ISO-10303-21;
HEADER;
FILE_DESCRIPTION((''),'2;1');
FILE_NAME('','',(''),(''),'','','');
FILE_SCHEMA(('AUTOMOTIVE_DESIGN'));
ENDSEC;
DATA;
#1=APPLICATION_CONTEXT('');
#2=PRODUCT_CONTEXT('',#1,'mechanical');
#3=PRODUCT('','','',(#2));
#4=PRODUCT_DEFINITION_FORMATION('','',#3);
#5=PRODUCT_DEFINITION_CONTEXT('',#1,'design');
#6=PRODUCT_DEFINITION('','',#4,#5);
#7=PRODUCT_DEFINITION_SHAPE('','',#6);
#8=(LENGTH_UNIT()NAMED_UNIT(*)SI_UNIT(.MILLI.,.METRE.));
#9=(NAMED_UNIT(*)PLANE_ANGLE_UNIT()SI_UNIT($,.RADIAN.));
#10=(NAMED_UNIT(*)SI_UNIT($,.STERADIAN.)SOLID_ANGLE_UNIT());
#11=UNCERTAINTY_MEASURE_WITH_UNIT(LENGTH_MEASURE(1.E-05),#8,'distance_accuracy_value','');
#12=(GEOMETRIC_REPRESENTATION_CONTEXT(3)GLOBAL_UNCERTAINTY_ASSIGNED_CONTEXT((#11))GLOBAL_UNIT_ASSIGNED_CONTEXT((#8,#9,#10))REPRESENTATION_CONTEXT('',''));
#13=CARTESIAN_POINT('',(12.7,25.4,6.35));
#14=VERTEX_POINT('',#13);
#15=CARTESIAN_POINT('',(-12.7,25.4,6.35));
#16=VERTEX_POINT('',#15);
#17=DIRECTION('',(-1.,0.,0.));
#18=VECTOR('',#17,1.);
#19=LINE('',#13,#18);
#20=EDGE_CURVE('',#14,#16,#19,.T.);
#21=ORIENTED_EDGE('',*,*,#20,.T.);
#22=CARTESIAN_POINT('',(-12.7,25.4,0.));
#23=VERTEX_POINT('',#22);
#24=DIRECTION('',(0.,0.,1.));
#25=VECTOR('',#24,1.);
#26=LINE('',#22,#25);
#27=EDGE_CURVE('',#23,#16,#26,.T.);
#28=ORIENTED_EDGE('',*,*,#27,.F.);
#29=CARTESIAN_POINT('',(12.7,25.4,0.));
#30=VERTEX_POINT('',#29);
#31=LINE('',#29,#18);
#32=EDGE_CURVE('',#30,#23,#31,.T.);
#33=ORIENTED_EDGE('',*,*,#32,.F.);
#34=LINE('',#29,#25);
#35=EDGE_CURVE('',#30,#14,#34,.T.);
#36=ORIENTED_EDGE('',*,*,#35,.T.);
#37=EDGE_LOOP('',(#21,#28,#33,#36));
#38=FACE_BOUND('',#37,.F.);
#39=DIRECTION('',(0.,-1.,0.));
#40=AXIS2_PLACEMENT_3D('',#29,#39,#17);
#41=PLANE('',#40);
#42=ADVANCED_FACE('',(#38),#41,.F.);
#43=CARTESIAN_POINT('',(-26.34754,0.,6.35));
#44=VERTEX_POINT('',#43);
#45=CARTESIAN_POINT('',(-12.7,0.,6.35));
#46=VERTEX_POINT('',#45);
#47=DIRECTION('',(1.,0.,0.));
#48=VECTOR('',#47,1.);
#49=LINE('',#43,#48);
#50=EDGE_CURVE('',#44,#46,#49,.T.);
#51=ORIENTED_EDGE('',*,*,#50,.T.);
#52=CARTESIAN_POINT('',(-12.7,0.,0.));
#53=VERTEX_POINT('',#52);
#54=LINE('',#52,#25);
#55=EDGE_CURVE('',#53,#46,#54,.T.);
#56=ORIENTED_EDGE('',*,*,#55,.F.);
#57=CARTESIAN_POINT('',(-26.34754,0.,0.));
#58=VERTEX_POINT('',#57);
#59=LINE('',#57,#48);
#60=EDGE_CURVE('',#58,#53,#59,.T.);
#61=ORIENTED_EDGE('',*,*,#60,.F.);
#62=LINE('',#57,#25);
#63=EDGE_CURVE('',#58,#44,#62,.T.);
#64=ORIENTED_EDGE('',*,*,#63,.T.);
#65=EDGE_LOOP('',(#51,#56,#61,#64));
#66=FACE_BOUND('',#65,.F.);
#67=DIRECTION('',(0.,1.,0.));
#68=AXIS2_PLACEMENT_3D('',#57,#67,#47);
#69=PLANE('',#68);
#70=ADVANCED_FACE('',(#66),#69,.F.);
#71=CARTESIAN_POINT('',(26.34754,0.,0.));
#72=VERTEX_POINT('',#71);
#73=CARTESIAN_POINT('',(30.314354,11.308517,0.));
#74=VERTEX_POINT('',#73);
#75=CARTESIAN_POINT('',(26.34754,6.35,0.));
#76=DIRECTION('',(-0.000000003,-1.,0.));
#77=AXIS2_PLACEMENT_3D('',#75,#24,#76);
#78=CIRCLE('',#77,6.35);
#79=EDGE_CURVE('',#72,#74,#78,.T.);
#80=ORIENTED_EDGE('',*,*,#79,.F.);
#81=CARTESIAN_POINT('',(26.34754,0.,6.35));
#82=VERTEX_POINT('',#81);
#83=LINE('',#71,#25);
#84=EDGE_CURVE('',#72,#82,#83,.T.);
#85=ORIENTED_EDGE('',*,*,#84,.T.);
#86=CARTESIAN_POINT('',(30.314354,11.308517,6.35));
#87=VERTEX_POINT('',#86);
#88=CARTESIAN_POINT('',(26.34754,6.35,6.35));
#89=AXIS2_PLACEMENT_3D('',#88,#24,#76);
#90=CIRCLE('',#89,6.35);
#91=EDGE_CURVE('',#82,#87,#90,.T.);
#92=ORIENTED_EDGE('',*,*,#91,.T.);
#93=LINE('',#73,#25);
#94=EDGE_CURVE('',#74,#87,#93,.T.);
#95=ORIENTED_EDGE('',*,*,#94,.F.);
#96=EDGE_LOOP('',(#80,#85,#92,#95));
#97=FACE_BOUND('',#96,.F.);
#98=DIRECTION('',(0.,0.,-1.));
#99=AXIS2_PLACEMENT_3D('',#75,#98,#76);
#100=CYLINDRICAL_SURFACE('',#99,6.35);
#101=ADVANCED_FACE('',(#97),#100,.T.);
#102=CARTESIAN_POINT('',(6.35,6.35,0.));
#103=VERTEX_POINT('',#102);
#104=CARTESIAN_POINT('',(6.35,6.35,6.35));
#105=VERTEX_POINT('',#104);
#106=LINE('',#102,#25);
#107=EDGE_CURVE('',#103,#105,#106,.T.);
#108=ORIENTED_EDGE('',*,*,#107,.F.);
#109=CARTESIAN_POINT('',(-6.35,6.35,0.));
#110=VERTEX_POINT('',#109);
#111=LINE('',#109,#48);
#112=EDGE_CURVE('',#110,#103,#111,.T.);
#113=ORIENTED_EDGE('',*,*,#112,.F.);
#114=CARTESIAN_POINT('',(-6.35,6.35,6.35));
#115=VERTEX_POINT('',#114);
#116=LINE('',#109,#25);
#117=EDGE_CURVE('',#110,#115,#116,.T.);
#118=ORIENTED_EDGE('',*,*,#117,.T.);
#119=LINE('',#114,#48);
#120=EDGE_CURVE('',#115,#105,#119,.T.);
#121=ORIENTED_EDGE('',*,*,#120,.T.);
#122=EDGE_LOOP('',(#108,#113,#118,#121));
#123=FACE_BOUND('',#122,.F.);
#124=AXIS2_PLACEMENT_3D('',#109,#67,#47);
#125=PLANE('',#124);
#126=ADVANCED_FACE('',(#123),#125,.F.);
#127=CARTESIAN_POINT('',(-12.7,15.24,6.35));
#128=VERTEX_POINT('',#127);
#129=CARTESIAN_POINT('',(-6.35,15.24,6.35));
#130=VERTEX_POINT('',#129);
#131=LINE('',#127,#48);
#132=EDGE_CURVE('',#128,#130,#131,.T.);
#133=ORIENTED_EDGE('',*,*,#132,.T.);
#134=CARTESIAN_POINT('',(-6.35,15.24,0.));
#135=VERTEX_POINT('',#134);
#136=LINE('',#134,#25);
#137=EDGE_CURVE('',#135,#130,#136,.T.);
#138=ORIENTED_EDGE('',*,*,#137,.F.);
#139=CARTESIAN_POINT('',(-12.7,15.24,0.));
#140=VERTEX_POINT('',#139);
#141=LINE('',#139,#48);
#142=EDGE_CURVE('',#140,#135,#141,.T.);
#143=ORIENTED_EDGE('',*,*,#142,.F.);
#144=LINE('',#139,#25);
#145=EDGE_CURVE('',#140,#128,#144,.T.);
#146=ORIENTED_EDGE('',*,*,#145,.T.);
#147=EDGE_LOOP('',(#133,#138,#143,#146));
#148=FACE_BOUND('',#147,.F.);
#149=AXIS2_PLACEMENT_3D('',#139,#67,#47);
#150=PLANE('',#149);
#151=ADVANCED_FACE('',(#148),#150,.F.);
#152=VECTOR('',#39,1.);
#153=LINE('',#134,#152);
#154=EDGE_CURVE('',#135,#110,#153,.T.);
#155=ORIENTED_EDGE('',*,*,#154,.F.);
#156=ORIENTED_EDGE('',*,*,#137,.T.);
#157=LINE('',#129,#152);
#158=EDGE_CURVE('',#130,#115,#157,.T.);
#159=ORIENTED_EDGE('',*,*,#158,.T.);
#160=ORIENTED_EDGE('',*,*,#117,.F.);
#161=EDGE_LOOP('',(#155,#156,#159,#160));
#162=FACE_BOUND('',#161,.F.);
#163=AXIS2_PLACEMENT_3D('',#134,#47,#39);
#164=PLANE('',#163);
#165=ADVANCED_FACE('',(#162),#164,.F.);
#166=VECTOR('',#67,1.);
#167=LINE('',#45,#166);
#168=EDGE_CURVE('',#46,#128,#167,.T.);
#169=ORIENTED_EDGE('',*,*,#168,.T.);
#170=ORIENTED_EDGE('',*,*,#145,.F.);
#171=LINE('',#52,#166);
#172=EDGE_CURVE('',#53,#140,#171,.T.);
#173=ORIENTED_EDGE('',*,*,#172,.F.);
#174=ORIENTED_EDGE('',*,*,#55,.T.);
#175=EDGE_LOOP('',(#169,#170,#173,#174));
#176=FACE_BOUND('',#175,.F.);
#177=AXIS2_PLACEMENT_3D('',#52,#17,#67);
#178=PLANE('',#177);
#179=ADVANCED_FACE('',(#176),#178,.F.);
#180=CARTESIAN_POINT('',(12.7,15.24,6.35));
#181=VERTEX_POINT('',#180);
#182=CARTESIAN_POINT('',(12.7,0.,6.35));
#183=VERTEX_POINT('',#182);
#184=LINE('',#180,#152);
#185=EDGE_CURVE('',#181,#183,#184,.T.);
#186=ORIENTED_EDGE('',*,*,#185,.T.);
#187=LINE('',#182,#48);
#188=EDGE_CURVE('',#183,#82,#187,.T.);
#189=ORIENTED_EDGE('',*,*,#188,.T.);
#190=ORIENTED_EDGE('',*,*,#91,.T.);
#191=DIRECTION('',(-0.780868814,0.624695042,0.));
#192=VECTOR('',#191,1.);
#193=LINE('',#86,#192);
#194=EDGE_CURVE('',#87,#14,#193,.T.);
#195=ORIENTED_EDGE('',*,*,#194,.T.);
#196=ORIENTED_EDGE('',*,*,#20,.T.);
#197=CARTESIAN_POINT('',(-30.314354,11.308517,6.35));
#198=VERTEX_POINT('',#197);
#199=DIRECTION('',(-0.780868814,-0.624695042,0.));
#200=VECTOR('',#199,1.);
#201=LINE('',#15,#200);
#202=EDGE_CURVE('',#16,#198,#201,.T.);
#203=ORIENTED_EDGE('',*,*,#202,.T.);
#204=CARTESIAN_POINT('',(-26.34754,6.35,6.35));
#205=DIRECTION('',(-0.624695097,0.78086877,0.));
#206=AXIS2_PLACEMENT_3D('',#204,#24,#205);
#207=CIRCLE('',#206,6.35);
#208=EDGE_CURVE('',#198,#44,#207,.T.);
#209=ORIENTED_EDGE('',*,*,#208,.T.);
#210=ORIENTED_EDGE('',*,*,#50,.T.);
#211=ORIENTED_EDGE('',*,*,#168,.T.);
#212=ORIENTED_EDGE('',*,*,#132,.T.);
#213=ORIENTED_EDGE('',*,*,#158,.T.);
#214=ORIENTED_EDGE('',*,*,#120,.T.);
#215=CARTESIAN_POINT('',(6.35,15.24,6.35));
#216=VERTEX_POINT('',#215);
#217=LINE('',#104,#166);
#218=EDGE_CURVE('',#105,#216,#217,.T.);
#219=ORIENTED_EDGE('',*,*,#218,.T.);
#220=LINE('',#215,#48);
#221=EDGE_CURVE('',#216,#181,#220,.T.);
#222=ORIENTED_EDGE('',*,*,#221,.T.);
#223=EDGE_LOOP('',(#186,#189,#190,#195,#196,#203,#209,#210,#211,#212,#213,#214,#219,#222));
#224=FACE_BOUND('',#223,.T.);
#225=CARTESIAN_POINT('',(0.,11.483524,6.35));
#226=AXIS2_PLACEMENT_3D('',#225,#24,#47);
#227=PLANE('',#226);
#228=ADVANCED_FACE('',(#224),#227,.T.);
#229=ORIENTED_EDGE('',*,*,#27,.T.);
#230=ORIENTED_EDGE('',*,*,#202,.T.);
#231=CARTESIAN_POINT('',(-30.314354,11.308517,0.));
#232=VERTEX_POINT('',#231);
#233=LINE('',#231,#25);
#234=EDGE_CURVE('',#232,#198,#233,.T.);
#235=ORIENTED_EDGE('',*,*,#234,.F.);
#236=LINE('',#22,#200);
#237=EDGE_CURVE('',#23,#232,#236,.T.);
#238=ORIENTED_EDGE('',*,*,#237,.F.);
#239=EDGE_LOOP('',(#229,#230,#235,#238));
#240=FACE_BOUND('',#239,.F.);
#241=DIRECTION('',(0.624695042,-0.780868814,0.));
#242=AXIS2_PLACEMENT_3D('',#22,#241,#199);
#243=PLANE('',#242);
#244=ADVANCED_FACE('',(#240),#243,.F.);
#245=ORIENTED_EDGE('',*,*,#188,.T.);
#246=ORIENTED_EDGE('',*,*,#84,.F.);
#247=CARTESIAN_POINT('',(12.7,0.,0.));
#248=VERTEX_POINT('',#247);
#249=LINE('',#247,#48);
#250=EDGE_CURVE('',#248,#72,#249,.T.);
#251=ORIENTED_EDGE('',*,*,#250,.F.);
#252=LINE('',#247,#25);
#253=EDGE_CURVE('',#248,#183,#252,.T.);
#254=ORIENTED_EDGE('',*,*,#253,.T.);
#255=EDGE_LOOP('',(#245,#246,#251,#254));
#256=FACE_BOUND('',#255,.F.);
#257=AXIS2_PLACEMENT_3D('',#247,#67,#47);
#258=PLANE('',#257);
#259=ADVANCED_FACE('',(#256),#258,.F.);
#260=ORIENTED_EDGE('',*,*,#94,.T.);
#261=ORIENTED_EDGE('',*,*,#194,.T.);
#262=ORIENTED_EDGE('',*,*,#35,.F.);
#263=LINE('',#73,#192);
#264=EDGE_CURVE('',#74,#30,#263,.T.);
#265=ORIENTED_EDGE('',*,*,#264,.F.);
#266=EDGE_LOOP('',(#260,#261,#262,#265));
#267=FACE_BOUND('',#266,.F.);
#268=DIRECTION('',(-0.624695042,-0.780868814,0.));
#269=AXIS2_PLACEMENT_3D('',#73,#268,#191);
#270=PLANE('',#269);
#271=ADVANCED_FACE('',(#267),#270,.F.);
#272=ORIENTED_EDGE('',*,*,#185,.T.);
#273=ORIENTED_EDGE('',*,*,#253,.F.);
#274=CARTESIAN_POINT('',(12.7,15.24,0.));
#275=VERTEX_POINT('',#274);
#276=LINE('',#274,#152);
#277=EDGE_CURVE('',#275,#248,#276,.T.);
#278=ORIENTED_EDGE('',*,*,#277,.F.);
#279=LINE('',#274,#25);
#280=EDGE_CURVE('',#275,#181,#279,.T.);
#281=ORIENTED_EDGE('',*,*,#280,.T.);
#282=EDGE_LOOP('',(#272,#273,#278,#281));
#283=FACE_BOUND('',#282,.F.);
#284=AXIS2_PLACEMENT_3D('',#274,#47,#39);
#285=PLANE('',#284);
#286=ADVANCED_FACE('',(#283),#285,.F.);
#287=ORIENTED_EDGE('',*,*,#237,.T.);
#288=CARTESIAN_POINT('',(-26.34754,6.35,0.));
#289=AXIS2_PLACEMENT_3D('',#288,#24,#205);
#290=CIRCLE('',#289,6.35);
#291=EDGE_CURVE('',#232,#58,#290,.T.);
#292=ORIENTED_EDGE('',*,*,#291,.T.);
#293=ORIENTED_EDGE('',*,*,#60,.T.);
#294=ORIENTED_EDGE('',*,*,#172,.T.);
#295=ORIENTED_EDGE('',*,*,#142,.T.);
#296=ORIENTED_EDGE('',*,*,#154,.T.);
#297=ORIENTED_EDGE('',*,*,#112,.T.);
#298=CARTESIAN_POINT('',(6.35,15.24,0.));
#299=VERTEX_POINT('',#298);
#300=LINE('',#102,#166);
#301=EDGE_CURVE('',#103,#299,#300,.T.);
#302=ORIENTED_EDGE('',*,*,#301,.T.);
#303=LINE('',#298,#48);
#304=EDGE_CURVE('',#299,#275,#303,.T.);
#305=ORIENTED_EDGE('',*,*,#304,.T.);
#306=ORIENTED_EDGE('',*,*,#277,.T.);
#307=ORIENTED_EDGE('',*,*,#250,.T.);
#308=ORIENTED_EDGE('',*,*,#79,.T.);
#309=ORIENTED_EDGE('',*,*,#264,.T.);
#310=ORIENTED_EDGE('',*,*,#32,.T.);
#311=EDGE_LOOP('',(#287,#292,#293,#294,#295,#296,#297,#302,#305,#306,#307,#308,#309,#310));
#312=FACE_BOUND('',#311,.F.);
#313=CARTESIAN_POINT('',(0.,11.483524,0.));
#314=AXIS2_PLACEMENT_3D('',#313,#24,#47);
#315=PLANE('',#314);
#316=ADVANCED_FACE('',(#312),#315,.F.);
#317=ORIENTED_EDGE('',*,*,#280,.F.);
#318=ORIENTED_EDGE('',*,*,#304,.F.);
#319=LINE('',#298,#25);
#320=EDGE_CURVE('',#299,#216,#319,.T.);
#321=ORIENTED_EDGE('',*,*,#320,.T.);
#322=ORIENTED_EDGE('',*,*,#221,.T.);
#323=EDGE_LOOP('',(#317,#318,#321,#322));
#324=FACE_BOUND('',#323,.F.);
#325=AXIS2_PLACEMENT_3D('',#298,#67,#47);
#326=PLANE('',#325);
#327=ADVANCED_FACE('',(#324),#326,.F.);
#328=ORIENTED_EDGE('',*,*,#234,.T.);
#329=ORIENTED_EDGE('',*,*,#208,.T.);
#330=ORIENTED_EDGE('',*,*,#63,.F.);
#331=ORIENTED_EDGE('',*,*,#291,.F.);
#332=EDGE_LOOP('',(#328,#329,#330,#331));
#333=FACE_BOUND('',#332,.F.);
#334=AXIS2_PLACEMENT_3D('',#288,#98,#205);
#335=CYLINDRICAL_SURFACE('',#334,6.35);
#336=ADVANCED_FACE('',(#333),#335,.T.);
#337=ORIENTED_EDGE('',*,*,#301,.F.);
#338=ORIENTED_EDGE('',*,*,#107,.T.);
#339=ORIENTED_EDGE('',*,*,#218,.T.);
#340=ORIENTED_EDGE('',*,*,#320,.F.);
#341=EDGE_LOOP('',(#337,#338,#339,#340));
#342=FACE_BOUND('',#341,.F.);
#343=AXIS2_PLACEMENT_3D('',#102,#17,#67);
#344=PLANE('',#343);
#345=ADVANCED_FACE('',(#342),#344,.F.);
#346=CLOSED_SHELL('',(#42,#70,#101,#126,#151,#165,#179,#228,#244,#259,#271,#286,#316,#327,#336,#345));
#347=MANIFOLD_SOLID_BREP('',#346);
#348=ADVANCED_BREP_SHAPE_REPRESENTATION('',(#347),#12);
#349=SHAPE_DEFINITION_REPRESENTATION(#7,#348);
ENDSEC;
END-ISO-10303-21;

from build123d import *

# Parameters (mm, degrees)
F1_DEPTH = 6.35


with BuildPart() as f1:
    # F0 (on Top) → F1 (new body)
    with BuildSketch(Plane.XY):
        with BuildLine():
            ThreePointArc((-30.314354, 11.308517), (-32.33958, 4.248106), (-26.34754, 0))
            Line((-26.34754, 0), (-12.7, 0))
            Line((-12.7, 0), (-12.7, 15.24))
            Line((-12.7, 15.24), (-6.35, 15.24))
            Line((-6.35, 15.24), (-6.35, 6.35))
            Line((-6.35, 6.35), (6.35, 6.35))
            Line((6.35, 6.35), (6.35, 15.24))
            Line((6.35, 15.24), (12.7, 15.24))
            Line((12.7, 15.24), (12.7, 0))
            Line((12.7, 0), (26.34754, 0))
            ThreePointArc((26.34754, 0), (32.33958, 4.248106), (30.314354, 11.308517))
            Line((30.314354, 11.308517), (12.7, 25.4))
            Line((12.7, 25.4), (-12.7, 25.4))
            Line((-12.7, 25.4), (-30.314354, 11.308517))
        make_face()
    extrude(amount=F1_DEPTH)


solid = f1.part
